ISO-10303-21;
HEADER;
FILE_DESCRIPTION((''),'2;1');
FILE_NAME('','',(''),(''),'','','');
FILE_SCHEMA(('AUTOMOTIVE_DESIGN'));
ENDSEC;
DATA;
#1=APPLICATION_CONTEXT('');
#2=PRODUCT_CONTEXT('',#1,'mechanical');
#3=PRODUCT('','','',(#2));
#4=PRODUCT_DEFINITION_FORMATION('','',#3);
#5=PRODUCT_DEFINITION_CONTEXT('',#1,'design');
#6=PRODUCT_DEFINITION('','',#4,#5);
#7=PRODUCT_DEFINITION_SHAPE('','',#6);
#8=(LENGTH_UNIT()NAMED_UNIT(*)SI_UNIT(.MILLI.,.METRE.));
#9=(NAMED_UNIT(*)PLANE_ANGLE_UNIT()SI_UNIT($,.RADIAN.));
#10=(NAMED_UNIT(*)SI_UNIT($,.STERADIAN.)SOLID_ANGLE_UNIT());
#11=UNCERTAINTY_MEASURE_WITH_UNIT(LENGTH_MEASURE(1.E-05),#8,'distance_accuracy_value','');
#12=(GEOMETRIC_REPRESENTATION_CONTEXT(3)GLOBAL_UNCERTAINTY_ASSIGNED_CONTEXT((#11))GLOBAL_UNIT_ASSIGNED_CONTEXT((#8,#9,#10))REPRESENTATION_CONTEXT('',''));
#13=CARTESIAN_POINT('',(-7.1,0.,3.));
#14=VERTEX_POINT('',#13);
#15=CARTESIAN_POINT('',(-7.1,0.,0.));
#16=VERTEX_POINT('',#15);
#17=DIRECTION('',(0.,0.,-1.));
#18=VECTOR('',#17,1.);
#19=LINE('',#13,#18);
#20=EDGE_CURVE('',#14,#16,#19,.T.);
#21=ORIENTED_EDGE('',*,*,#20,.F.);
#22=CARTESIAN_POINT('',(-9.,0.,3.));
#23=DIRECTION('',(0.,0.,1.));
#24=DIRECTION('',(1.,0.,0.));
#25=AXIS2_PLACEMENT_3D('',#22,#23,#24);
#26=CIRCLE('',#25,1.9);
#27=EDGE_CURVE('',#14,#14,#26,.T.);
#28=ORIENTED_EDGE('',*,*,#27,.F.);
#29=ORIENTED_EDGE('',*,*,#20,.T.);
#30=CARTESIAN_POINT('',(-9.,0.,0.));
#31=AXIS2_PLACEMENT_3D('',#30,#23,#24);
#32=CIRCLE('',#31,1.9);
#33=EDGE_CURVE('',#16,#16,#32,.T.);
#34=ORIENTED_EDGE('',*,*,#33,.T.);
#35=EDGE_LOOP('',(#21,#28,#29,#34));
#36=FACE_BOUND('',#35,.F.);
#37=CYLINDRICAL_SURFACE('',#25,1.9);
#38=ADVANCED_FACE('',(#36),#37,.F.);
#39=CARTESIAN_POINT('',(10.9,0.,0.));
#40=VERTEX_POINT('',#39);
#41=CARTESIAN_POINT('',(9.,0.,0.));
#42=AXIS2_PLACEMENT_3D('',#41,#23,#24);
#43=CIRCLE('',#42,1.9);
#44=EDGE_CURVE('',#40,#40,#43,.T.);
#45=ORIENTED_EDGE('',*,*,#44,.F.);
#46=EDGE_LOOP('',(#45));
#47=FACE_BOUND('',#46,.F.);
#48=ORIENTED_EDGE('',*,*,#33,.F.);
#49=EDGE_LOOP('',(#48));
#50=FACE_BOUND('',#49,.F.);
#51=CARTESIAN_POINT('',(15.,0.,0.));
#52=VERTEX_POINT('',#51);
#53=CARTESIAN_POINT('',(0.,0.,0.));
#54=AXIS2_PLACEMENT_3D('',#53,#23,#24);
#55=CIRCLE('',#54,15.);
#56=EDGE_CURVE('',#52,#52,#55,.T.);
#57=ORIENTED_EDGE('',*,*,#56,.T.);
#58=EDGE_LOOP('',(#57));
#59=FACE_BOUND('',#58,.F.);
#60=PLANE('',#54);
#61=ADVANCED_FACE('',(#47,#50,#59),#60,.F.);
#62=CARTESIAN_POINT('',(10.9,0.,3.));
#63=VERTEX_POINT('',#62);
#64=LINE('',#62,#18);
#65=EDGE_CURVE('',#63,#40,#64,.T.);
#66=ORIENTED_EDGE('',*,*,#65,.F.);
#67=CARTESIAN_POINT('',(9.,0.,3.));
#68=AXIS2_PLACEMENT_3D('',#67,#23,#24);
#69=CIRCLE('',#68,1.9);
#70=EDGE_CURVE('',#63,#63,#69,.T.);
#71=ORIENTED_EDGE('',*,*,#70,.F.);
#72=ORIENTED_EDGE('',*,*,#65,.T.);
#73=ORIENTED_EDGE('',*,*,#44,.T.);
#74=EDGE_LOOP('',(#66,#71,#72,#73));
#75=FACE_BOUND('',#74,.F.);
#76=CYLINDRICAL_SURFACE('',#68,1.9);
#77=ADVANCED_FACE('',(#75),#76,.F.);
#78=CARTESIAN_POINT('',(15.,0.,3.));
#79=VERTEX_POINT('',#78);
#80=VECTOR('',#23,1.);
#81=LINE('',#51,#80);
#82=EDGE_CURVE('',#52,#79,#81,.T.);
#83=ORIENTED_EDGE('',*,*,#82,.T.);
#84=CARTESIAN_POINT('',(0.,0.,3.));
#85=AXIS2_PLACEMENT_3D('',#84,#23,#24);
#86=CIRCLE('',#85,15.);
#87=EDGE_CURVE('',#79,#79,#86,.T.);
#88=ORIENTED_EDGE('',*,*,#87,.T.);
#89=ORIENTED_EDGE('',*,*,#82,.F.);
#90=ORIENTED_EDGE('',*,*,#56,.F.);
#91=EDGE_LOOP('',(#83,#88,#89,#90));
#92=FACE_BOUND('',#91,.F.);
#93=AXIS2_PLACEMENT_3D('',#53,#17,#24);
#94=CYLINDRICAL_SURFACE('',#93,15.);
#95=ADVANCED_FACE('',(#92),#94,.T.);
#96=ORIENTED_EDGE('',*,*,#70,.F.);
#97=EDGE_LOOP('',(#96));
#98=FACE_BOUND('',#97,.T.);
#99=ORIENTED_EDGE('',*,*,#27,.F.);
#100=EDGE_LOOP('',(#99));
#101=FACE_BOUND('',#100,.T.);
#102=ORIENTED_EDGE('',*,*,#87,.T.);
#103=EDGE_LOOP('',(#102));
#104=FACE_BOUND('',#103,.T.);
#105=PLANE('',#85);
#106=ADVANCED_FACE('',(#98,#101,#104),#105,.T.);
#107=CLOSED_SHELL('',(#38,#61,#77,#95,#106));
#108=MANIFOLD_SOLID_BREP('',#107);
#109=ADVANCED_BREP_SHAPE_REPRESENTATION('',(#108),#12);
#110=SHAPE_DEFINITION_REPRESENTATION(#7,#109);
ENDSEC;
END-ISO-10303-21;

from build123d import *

# Parameters (mm, degrees)
F0_R     = 15
F1_DEPTH = 3
F2_R     = 1.9
F3_DEPTH = 25


with BuildPart() as f1:
    # F0 (on Top) → F1 (new body)
    with BuildSketch(Plane.XY):
        Circle(F0_R)
    extrude(amount=F1_DEPTH)

    # F2 (on face) → F3 (cut)
    with BuildSketch(Plane.XY.offset(3)):
        with Locations((9, 0)):
            Circle(F2_R)
        with Locations((-9, 0)):
            Circle(F2_R)
    extrude(amount=-F3_DEPTH, mode=Mode.SUBTRACT)


solid = f1.part
